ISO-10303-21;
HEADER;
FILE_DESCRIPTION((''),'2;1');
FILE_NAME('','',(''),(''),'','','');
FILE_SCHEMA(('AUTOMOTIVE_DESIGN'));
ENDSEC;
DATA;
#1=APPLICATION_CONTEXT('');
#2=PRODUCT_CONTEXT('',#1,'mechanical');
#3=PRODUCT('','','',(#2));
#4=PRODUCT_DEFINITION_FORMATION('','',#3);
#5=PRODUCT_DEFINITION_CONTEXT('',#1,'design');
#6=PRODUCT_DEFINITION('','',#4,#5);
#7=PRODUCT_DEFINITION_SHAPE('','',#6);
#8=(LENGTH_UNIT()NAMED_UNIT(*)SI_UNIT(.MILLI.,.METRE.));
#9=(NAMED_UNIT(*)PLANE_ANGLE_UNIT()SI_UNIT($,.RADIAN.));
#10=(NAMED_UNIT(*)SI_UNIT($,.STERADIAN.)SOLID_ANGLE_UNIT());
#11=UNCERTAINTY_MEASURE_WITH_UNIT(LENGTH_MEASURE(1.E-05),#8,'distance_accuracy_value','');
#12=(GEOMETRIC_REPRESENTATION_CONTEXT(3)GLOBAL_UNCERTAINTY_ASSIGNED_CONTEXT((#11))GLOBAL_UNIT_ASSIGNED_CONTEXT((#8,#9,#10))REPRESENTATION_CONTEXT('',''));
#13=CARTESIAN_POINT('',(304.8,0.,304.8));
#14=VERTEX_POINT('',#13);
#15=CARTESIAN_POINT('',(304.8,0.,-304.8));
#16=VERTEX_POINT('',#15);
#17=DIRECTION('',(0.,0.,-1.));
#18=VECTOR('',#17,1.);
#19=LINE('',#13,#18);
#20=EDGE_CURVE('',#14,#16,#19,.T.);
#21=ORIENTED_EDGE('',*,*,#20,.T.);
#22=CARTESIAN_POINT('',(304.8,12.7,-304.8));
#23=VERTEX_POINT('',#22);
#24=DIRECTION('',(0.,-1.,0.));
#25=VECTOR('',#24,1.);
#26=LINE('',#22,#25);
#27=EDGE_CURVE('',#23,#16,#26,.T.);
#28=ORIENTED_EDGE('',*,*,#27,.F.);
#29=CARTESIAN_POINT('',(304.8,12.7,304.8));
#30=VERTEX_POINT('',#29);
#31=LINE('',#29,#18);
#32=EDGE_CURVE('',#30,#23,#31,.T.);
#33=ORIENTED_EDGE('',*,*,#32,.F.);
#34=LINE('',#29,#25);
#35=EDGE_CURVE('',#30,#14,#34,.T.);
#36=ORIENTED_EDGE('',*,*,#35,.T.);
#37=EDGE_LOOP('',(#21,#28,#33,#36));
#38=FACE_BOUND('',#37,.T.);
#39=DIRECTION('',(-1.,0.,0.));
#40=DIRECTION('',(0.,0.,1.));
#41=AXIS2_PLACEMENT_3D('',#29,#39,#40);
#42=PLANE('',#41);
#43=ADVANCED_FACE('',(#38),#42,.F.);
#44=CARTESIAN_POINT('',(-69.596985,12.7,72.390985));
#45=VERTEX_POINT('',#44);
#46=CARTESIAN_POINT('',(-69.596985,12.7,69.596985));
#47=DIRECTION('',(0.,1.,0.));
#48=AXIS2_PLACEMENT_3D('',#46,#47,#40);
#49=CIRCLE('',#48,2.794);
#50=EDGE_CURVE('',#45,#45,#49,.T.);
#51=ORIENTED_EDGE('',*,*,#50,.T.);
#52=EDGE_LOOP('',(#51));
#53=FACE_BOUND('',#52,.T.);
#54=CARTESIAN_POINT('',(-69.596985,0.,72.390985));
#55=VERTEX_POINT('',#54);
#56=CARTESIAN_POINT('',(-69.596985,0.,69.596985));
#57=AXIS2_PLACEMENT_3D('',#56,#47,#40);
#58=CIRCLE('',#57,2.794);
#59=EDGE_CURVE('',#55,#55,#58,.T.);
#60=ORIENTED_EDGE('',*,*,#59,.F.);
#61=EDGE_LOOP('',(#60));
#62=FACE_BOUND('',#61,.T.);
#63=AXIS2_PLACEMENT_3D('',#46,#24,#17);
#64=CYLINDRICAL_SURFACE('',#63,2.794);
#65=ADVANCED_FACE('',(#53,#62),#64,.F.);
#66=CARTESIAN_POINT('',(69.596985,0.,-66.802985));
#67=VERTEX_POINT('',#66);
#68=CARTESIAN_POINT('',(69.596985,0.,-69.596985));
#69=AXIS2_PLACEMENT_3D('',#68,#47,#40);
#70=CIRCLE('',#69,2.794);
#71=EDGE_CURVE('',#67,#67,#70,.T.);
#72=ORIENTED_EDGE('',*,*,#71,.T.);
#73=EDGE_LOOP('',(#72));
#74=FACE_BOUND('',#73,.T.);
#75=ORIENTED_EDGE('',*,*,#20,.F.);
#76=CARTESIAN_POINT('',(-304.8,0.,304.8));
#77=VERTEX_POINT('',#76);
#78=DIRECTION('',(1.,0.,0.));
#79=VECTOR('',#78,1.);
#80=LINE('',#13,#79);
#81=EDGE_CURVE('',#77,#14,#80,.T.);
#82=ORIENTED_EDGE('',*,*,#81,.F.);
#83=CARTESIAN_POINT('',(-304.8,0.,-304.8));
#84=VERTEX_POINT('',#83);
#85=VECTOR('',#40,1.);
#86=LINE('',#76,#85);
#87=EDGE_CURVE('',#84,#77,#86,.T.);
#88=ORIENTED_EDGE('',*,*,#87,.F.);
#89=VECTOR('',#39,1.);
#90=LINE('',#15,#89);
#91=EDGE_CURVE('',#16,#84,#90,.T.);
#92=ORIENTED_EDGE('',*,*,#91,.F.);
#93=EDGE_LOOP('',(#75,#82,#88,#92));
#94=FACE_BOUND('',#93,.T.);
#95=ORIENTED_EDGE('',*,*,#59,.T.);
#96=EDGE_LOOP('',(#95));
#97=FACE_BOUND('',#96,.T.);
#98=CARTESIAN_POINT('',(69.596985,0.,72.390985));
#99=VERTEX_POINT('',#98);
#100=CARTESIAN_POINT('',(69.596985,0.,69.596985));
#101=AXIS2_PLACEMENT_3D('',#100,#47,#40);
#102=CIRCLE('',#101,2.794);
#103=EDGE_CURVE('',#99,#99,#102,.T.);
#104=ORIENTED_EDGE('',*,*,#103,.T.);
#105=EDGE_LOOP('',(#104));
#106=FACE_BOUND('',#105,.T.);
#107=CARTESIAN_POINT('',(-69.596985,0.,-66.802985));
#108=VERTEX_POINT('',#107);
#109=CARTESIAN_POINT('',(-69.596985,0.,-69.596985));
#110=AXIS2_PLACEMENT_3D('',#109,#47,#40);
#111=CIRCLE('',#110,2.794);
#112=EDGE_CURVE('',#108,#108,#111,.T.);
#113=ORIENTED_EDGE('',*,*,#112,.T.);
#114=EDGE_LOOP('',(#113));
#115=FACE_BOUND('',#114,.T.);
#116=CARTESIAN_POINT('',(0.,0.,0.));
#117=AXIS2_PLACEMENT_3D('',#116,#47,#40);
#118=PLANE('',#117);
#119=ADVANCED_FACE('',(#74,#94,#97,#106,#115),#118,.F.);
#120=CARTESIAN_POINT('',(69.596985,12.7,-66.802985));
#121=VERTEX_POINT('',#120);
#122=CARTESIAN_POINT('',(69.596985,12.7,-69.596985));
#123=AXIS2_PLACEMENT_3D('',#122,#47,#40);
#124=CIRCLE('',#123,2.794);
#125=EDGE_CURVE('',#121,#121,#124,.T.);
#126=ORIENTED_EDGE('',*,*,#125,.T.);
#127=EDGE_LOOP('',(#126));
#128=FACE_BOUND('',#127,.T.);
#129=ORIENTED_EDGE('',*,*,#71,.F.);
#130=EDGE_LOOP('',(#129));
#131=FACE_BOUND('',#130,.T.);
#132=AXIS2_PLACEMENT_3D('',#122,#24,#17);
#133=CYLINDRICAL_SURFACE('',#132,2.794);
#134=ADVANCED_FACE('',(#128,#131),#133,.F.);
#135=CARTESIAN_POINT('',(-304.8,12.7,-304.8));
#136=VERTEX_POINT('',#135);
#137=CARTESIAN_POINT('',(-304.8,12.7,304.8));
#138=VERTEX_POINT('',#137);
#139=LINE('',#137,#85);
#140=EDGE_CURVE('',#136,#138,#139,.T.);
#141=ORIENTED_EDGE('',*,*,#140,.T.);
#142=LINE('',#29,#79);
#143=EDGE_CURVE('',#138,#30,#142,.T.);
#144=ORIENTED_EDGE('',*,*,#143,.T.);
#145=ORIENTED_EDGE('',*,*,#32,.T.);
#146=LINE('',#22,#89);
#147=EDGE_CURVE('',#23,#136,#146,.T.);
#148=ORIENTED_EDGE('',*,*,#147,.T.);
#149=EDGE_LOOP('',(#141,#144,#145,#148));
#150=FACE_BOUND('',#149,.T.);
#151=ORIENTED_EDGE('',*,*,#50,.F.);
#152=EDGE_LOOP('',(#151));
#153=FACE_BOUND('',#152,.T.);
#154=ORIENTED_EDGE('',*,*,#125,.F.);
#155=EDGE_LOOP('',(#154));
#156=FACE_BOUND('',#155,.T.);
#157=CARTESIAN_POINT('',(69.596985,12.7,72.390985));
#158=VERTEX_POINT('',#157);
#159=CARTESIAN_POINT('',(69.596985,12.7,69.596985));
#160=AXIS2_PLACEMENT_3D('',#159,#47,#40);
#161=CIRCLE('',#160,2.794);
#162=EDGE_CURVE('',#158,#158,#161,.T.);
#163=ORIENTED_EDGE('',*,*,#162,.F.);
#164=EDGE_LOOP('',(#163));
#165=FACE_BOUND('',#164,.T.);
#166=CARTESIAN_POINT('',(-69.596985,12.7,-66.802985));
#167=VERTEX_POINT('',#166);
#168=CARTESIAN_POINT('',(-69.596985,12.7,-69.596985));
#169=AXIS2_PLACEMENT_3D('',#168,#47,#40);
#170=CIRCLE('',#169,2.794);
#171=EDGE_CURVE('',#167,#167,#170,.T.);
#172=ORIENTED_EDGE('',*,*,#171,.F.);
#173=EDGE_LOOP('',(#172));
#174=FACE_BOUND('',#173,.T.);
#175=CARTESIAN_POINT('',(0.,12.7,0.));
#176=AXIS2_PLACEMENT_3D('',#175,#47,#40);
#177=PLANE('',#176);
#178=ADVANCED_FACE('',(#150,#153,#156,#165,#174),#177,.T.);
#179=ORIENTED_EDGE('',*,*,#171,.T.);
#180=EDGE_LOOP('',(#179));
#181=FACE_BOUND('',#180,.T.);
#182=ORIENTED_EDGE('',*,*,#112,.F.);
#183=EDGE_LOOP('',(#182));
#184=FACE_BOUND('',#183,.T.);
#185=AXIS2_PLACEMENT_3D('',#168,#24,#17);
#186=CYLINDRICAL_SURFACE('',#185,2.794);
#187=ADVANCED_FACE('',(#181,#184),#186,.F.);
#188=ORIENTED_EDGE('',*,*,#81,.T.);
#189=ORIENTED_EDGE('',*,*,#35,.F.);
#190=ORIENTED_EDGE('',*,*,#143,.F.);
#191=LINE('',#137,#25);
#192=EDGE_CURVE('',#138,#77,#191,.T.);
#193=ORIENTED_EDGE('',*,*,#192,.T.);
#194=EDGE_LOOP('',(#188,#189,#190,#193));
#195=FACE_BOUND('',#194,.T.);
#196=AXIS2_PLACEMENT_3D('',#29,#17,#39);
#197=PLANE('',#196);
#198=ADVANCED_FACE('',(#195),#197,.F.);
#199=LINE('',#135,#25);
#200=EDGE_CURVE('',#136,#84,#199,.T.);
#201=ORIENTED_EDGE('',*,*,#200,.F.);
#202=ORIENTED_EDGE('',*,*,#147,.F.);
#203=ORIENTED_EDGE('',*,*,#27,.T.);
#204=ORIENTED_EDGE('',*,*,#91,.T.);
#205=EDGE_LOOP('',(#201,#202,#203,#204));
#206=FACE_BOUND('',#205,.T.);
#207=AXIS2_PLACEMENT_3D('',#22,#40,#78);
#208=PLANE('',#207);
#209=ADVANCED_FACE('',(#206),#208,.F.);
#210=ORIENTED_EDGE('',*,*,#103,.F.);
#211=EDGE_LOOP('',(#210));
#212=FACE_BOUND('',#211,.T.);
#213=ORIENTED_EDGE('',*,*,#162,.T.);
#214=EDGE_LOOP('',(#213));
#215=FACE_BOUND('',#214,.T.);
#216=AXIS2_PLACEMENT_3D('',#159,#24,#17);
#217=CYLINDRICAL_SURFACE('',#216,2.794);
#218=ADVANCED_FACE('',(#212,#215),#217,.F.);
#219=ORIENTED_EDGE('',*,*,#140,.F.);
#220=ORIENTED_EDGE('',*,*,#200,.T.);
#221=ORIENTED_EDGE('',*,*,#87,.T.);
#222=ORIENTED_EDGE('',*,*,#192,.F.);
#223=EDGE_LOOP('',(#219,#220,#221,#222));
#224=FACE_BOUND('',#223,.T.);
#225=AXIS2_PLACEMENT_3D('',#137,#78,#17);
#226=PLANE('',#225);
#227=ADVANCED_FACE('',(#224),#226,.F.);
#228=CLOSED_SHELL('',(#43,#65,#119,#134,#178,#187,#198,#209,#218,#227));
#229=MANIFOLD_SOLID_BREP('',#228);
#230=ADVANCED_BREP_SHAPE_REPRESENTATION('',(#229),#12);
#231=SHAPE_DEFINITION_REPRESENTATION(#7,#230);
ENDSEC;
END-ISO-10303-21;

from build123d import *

# Parameters (mm, degrees)
SKETCH1_W           = 609.6
SKETCH1_H           = 609.6
SKETCH1_R           = 2.794
BOSS_EXTRUDE1_DEPTH = 12.7


with BuildPart() as part:
    # Sketch1 → Boss-Extrude1 (new body)
    with BuildSketch(Plane(origin=(0, 0, 0), x_dir=(1, 0, 0), z_dir=(0, 1, 0))):
        Rectangle(SKETCH1_W, SKETCH1_H)
        with Locations(Location((-69.596984938, -69.596984938, 0), (0, 0, 270))):
            Circle(SKETCH1_R, mode=Mode.SUBTRACT)
        with Locations(Location((69.596984938, -69.596984938, 0), (0, 0, 270))):
            Circle(SKETCH1_R, mode=Mode.SUBTRACT)
        with Locations(Location((-69.596984938, 69.596984938, 0), (0, 0, 270))):
            Circle(SKETCH1_R, mode=Mode.SUBTRACT)
        with Locations(Location((69.596984938, 69.596984938, 0), (0, 0, 270))):
            Circle(SKETCH1_R, mode=Mode.SUBTRACT)
    extrude(amount=BOSS_EXTRUDE1_DEPTH)


solid = part.part
